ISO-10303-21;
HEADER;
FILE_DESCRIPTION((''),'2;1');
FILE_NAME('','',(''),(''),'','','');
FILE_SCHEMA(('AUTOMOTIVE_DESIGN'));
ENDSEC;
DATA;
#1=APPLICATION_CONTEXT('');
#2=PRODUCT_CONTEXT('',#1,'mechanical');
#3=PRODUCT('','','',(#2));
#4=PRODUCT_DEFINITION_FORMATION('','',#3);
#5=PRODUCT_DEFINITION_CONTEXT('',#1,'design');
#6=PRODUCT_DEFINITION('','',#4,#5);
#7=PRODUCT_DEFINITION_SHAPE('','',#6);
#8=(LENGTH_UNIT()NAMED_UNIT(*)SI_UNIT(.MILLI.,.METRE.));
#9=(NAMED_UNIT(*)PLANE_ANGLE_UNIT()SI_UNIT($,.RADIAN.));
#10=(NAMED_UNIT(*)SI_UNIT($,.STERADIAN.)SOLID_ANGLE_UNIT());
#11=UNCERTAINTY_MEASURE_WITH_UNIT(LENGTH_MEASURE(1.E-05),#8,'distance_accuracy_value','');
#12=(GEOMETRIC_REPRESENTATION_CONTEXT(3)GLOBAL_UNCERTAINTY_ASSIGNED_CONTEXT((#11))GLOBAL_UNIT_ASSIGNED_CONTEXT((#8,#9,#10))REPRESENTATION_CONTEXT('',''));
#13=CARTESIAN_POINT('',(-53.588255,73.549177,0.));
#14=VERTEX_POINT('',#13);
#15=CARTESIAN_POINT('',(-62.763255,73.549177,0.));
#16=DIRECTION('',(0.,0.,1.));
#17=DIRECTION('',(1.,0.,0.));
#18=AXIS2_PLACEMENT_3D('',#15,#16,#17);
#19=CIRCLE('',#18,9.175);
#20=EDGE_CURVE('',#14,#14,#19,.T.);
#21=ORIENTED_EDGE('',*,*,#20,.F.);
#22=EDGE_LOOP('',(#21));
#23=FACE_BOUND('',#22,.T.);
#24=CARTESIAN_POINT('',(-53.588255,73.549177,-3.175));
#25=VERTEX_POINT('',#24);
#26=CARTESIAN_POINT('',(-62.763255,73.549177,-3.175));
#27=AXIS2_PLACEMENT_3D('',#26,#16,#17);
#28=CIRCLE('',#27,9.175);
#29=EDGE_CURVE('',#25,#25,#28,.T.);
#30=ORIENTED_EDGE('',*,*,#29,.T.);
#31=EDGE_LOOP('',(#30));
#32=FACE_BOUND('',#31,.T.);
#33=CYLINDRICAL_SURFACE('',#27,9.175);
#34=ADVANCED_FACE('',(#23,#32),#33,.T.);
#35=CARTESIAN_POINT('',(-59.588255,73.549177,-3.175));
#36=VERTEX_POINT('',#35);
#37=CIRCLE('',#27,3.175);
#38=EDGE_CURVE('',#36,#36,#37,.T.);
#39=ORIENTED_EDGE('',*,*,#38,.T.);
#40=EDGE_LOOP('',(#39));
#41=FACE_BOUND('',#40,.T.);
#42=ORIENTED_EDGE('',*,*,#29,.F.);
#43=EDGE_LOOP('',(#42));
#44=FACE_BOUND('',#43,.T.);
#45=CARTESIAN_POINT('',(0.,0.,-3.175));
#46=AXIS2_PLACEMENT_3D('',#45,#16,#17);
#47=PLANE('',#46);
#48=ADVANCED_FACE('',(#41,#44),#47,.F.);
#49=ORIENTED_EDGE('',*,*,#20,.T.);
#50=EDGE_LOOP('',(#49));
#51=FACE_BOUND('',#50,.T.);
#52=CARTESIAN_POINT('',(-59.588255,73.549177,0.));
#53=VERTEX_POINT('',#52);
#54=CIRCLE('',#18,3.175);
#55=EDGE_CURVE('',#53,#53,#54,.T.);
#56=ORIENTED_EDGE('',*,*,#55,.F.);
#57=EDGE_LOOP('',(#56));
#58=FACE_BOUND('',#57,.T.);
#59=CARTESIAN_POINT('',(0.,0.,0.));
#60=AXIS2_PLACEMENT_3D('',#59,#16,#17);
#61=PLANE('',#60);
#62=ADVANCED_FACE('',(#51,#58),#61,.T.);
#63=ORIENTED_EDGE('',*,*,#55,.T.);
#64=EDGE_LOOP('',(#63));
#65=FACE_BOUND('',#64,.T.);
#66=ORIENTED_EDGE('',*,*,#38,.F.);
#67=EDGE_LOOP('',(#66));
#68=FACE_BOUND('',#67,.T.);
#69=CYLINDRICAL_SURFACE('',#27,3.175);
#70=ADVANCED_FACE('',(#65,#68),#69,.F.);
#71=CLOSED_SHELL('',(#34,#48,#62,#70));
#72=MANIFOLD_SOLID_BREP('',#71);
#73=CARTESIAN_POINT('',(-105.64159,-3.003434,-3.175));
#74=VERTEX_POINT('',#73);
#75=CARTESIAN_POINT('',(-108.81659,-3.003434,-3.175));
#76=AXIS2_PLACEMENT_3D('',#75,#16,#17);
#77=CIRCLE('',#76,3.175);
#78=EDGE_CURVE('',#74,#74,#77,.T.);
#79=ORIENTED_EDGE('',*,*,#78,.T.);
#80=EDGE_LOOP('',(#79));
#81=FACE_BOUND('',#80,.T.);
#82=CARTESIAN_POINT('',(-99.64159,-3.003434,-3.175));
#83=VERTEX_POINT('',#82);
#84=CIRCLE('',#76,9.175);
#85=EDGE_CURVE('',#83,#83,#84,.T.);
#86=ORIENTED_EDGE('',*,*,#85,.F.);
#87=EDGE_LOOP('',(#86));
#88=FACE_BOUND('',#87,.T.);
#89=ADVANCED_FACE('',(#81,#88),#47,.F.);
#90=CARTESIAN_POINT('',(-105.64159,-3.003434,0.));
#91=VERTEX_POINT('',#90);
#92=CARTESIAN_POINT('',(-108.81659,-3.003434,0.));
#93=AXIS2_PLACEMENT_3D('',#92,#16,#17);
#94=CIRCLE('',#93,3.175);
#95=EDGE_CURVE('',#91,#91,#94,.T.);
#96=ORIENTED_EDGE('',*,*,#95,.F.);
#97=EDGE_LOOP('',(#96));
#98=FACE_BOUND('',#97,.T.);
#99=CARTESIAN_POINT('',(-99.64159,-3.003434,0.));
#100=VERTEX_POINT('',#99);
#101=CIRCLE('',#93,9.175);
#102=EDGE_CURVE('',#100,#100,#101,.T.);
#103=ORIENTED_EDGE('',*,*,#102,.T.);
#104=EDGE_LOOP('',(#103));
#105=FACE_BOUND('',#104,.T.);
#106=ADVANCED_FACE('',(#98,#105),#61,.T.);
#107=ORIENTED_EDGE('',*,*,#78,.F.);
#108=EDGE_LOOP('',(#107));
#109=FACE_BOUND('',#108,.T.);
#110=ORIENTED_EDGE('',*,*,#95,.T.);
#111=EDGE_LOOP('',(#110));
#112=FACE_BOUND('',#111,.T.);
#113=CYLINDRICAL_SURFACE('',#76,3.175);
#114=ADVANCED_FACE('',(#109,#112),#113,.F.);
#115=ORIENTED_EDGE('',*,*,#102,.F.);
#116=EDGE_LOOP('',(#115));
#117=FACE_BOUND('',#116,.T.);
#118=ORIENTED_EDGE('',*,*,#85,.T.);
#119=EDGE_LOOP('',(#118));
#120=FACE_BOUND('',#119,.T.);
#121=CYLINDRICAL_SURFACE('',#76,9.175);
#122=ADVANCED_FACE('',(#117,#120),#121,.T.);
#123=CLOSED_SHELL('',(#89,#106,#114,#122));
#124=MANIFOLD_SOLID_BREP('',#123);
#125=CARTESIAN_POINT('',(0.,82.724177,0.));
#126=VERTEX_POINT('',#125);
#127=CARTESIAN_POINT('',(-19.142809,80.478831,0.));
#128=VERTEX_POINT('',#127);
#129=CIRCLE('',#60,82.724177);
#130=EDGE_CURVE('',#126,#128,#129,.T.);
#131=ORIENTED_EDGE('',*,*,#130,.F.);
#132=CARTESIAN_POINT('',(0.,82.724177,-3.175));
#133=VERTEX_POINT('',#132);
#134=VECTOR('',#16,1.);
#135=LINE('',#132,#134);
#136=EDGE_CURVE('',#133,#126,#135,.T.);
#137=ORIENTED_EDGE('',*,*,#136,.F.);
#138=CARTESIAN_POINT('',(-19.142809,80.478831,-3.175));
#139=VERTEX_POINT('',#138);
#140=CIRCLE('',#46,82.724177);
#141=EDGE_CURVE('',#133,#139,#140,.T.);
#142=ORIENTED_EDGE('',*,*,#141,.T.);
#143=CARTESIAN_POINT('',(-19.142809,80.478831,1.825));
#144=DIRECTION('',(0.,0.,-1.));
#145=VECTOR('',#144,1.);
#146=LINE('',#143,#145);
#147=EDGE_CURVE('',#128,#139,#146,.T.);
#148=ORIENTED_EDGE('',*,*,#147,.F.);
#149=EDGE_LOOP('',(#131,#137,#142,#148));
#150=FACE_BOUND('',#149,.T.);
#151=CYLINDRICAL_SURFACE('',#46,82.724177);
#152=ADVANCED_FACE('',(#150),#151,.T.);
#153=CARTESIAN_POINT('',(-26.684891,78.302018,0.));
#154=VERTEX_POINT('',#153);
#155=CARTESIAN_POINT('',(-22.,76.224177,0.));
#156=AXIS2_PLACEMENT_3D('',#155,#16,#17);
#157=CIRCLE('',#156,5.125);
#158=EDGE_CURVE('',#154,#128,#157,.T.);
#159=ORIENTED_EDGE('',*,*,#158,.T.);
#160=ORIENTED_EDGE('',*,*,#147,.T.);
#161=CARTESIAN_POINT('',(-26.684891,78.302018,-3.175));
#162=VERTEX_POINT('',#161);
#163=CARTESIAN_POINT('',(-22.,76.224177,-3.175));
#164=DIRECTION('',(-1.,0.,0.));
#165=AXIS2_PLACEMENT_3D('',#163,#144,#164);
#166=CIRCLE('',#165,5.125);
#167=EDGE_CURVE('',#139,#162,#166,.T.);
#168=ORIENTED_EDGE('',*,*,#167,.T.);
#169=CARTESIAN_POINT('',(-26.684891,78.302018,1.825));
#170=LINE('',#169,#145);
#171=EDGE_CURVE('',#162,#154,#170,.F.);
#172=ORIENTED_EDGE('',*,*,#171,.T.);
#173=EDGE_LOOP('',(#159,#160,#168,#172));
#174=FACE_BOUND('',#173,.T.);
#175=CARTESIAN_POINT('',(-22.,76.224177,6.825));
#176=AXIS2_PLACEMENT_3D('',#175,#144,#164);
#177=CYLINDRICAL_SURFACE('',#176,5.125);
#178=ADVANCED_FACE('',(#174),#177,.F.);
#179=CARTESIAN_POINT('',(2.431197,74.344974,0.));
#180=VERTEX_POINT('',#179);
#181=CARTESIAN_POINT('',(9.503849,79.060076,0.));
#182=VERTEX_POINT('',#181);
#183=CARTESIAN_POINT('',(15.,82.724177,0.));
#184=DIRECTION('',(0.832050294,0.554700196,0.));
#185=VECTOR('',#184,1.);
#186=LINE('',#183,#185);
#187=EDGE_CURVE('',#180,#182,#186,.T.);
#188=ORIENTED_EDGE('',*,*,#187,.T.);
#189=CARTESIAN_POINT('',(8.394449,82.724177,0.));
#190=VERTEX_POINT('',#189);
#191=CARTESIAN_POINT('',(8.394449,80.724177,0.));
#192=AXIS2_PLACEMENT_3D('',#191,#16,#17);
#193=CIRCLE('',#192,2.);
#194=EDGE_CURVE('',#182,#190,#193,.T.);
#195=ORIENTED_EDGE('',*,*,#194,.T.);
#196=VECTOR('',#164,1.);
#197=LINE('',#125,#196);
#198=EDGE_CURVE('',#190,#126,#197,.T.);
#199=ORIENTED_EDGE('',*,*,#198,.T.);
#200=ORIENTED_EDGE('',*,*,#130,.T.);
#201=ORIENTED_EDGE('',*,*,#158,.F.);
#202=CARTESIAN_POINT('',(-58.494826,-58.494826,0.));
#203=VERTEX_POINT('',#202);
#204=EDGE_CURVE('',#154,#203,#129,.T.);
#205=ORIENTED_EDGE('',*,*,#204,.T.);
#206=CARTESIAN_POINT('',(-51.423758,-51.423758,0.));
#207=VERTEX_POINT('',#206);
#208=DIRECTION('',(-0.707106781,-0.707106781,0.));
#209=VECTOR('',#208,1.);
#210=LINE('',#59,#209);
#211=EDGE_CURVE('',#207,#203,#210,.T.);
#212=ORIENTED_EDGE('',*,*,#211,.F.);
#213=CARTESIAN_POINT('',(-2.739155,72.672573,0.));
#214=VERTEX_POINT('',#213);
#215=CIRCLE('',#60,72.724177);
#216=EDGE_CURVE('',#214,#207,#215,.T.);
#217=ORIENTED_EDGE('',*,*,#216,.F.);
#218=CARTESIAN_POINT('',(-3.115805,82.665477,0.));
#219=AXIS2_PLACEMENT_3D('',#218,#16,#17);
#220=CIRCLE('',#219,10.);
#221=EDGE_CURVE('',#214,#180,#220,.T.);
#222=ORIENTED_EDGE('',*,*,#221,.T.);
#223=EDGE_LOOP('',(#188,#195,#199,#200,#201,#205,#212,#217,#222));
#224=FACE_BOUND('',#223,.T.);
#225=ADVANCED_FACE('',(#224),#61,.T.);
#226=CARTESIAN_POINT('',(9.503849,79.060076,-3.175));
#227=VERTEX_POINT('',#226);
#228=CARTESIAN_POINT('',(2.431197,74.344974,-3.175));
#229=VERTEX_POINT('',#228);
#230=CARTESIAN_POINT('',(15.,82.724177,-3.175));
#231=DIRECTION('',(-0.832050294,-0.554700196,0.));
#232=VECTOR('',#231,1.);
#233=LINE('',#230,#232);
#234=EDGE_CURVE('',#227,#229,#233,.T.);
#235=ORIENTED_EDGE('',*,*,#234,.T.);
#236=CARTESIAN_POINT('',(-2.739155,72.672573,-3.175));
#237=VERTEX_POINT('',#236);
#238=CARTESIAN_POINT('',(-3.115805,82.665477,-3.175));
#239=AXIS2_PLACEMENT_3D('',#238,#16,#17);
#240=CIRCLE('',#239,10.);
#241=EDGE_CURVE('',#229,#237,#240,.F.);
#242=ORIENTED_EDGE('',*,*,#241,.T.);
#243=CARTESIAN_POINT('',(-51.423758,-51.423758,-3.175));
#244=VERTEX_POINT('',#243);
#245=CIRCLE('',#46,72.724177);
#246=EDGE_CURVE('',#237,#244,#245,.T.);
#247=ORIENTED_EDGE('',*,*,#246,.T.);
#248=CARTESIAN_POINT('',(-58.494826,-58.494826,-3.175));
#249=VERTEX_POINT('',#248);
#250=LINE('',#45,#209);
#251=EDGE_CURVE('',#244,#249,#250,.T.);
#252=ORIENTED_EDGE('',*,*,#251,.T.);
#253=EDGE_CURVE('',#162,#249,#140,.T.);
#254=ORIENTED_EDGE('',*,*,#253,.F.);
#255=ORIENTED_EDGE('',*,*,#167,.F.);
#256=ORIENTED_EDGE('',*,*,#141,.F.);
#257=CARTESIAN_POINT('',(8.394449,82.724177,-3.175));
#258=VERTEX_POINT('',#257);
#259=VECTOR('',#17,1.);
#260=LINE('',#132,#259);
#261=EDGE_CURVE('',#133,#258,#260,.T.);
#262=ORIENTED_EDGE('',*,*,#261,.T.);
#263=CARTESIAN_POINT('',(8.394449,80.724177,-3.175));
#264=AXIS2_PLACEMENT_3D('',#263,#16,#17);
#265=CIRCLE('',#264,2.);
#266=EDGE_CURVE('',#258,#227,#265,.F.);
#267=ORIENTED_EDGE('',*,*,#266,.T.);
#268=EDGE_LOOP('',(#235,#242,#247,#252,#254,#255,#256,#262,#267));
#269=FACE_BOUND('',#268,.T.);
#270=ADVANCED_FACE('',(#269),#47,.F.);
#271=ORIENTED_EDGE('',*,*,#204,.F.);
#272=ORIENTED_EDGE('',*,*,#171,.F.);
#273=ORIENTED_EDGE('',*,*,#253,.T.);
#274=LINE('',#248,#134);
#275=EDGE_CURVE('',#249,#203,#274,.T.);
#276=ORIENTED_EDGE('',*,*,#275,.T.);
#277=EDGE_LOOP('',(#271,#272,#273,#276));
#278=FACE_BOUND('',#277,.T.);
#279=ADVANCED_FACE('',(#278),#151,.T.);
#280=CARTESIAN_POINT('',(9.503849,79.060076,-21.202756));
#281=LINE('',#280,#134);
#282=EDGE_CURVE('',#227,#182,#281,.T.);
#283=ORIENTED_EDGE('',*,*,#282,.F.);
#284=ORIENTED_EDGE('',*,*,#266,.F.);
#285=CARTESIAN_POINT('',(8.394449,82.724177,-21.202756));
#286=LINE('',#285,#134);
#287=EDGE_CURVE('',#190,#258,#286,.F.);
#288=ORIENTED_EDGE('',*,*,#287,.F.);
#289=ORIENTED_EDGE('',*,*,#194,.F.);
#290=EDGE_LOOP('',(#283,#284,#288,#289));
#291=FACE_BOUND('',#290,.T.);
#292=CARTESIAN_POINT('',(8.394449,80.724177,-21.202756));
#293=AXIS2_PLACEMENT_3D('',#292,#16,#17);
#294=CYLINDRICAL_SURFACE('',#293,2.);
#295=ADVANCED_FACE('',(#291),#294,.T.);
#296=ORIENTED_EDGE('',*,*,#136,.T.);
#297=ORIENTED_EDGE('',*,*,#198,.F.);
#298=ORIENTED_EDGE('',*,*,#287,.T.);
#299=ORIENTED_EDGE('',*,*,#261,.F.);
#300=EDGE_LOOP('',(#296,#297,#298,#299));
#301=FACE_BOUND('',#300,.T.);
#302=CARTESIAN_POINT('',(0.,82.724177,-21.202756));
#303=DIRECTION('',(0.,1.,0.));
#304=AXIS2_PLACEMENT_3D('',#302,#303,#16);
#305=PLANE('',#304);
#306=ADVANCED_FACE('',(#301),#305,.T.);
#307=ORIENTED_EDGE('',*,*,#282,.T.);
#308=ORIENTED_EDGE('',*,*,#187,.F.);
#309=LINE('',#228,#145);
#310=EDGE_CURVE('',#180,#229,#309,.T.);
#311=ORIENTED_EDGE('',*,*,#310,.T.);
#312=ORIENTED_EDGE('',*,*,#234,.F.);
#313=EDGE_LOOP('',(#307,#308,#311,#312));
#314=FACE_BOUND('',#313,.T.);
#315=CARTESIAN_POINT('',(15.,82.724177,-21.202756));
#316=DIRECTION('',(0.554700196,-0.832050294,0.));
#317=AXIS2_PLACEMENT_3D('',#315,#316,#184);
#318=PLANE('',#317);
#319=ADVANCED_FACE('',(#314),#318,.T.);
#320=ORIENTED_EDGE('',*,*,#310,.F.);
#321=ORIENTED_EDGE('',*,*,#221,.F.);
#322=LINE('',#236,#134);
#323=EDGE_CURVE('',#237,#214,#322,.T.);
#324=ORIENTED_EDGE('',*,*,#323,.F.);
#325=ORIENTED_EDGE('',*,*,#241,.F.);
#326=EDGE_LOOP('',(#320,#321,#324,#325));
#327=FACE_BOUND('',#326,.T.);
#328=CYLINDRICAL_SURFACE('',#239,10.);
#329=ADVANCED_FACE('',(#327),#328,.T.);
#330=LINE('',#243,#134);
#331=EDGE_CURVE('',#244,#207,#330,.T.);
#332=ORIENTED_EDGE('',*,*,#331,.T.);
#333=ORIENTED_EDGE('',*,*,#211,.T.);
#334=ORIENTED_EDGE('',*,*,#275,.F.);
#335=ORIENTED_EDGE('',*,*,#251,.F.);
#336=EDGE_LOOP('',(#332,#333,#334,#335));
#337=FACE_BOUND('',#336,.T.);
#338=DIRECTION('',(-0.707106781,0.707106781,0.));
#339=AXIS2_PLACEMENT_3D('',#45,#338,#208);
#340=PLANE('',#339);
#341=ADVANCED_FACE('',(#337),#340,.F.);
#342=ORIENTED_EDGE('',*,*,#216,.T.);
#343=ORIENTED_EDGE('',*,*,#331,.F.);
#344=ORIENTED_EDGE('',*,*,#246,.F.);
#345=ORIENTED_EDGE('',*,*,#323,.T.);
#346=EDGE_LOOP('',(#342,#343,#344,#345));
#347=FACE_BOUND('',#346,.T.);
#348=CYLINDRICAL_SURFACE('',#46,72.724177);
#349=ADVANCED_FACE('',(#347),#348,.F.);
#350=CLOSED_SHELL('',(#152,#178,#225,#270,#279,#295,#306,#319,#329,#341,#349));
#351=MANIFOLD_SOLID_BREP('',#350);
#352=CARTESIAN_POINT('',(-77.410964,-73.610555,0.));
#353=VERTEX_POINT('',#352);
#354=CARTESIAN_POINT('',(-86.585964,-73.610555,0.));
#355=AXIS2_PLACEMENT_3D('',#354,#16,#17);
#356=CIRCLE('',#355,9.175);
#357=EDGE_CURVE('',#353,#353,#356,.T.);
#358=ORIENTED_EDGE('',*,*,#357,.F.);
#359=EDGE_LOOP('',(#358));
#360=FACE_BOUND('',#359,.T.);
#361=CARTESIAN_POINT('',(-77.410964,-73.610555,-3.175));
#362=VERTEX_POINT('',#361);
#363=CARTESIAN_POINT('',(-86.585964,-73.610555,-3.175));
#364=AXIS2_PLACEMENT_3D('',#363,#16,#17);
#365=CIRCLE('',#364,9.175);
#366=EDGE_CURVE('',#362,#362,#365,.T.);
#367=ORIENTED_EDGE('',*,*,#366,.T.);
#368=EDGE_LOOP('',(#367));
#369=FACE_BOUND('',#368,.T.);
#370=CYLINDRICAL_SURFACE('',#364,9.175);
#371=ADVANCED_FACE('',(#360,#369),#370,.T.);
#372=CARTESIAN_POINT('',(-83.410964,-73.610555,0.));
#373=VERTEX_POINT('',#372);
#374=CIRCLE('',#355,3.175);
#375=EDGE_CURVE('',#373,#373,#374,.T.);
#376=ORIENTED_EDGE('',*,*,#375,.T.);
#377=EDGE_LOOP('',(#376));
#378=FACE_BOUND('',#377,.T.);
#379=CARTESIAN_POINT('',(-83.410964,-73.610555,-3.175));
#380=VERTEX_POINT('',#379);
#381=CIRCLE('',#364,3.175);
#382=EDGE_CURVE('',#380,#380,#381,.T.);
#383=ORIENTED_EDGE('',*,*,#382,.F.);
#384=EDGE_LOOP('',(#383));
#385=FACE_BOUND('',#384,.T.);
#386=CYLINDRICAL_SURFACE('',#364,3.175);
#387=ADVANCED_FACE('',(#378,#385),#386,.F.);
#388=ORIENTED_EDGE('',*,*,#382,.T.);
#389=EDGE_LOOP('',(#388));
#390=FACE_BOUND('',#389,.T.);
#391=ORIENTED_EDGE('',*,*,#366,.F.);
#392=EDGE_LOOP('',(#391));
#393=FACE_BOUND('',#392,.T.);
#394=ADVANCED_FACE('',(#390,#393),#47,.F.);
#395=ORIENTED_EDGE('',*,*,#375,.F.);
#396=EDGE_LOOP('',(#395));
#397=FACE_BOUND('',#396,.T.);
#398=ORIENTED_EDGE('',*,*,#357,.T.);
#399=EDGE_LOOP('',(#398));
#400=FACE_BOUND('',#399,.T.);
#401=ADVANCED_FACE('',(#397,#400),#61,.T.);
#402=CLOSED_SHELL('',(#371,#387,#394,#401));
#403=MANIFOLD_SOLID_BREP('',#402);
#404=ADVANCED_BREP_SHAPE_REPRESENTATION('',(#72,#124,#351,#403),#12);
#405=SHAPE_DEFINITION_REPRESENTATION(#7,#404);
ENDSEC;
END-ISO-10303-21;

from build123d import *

# Parameters (mm, degrees)
BOSS_EXTRUDE1_DEPTH   = 3.175
SKETCH1_R             = 9.175
SKETCH1_R_2           = 3.175
BOSS_EXTRUDE1_2_DEPTH = 3.175
BOSS_EXTRUDE1_3_DEPTH = 3.175
BOSS_EXTRUDE1_4_DEPTH = 3.175
SKETCH3_R             = 5.125
CUT_EXTRUDE1_DEPTH    = 10
BOSS_EXTRUDE2_DEPTH   = 3.175
FILLET1_R             = 10
FILLET2_R             = 2


with BuildPart() as part:
    # Sketch1 → Boss-Extrude1 (new body)
    with BuildSketch(Plane.XY):
        with BuildLine():
            ThreePointArc((-51.423758408, -51.423758408), (-67.188378251, 27.830337505), (0, 72.724176569))
            Line((0, 72.724176569), (0, 82.724176569))
            ThreePointArc((0, 82.724176569), (-76.427173576, 31.657171829), (-58.49482622, -58.49482622))
            Line((-58.49482622, -58.49482622), (-51.423758408, -51.423758408))
        make_face()
    extrude(amount=-BOSS_EXTRUDE1_DEPTH)

    # Sketch3 → Cut-Extrude1 (cut)
    with BuildSketch(Plane(origin=(0, 0, -3.175), x_dir=(-1, 0, 0), z_dir=(0, 0, -1))):
        with Locations((22, 76.224176569)):
            Circle(SKETCH3_R)
    extrude(amount=-CUT_EXTRUDE1_DEPTH, mode=Mode.SUBTRACT)

    # Sketch4 → Boss-Extrude2 (add)
    with BuildSketch(Plane.XY):
        Polygon((0, 82.724176569), (15, 82.724176569), (0, 72.724176569), align=None)
    extrude(amount=-BOSS_EXTRUDE2_DEPTH)

    # Fillet1
    fillet1_edges = [part.edges().sort_by_distance(p)[0] for p in [
        (0, 72.724176569, -1.5875),
    ]]
    fillet(fillet1_edges, radius=FILLET1_R)

    # Fillet2
    fillet2_edges = [part.edges().sort_by_distance(p)[0] for p in [
        (15, 82.724176569, -1.5875),
    ]]
    fillet(fillet2_edges, radius=FILLET2_R)


with BuildPart() as body_2:
    # Sketch1 → Boss-Extrude1 2 (new body)
    with BuildSketch(Plane.XY):
        with Locations((-86.585964118, -73.610554684)):
            Circle(SKETCH1_R)
        with Locations((-86.585964118, -73.610554684)):
            Circle(SKETCH1_R_2, mode=Mode.SUBTRACT)
    extrude(amount=-BOSS_EXTRUDE1_2_DEPTH)


with BuildPart() as body_3:
    # Sketch1 → Boss-Extrude1 3 (new body)
    with BuildSketch(Plane.XY):
        with Locations((-62.763254538, 73.549176569)):
            Circle(SKETCH1_R)
        with Locations((-62.763254538, 73.549176569)):
            Circle(SKETCH1_R_2, mode=Mode.SUBTRACT)
    extrude(amount=-BOSS_EXTRUDE1_3_DEPTH)


with BuildPart() as body_4:
    # Sketch1 → Boss-Extrude1 4 (new body)
    with BuildSketch(Plane.XY):
        with Locations((-108.816589821, -3.003434316)):
            Circle(SKETCH1_R)
        with Locations((-108.816589821, -3.003434316)):
            Circle(SKETCH1_R_2, mode=Mode.SUBTRACT)
    extrude(amount=-BOSS_EXTRUDE1_4_DEPTH)


solid = Compound([part.part, body_2.part, body_3.part, body_4.part])
